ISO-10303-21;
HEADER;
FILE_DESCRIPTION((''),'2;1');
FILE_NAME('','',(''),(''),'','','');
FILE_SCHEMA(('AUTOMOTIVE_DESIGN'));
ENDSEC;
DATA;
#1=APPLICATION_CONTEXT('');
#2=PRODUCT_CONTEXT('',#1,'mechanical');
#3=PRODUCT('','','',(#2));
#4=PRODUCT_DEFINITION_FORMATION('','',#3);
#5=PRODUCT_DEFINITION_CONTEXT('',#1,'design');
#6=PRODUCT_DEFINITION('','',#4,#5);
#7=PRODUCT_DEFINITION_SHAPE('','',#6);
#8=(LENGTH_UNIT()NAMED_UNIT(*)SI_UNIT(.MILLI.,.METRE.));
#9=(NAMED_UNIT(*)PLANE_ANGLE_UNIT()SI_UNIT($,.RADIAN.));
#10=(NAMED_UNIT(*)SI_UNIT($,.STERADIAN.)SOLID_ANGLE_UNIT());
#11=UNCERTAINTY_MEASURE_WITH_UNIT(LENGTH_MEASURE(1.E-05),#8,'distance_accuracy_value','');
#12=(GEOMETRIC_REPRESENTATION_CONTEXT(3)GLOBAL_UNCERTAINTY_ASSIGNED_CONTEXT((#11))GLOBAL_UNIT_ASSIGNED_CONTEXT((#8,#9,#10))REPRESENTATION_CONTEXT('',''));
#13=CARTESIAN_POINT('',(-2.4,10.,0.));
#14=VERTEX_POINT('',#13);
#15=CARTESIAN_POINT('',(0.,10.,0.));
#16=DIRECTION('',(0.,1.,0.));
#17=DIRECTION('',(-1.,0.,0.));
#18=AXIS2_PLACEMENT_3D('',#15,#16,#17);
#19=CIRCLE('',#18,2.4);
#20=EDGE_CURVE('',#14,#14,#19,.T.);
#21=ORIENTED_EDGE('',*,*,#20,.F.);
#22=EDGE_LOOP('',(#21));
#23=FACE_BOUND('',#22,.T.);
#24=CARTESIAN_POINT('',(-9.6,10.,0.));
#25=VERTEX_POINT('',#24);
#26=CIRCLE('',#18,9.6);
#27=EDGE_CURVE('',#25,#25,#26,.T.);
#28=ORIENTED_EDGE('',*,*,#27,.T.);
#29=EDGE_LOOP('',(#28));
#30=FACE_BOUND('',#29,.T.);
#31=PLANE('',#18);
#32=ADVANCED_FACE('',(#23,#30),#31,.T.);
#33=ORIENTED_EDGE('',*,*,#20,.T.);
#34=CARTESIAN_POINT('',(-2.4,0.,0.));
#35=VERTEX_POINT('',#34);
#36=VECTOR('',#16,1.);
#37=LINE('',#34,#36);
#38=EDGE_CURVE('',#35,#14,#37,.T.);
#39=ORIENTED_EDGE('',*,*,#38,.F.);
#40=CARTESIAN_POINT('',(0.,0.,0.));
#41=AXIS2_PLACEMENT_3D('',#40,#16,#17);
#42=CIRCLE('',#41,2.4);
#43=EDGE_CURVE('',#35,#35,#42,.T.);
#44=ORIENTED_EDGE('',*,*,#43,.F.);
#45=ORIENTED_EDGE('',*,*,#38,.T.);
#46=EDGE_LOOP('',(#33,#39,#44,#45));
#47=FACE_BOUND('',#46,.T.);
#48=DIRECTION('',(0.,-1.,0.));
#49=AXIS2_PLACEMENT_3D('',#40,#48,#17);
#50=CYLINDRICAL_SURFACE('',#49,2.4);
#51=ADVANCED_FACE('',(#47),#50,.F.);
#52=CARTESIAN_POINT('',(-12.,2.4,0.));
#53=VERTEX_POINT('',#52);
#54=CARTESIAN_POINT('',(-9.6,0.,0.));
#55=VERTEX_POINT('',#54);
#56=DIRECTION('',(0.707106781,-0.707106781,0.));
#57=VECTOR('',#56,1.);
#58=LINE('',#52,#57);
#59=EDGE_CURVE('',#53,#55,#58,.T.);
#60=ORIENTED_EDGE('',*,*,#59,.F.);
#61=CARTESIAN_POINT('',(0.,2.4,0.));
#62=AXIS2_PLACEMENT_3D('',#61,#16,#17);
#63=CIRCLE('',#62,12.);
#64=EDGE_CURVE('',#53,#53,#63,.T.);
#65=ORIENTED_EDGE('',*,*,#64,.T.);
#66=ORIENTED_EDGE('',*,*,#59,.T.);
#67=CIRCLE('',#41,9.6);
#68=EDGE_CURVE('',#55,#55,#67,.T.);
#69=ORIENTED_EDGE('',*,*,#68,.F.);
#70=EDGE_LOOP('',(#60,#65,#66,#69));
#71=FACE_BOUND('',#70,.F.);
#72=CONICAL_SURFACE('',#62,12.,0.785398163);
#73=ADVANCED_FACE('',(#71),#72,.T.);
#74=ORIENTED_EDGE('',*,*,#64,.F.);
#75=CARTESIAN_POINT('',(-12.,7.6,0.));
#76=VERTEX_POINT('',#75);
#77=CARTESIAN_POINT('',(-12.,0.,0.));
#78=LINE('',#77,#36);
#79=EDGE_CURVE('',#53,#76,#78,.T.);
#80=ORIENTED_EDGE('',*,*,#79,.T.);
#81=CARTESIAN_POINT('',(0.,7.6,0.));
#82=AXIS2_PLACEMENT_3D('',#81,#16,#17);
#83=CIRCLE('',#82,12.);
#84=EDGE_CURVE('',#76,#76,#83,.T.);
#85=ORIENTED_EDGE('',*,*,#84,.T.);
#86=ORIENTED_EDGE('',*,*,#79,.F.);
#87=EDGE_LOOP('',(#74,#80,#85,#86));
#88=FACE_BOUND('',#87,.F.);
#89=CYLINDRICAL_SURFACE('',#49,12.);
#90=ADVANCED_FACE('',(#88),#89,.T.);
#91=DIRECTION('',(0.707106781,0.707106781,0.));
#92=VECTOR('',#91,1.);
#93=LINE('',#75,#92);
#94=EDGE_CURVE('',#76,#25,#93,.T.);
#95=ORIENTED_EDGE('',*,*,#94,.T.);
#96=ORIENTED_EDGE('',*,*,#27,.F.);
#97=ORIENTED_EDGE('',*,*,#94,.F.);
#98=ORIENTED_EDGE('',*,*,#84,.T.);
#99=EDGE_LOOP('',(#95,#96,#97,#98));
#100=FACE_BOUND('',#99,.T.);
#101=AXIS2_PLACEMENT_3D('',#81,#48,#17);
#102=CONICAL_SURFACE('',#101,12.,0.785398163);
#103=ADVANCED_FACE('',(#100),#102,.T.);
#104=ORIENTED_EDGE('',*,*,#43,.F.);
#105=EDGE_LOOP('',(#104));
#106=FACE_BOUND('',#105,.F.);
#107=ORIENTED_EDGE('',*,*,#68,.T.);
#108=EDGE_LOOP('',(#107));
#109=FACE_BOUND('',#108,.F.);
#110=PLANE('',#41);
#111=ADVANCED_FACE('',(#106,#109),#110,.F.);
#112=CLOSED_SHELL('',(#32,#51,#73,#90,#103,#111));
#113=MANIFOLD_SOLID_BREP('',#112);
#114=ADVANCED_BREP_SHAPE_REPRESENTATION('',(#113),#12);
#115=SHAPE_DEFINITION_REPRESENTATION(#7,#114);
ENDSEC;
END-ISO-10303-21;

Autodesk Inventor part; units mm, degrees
ref_plane "YZ Plane" through (0, 0, 0) normal (1, 0, 0) x (0, 1, 0)
ref_plane "XZ Plane" through (0, 0, 0) normal (0, 1, 0) x (-1, 0, 0)
ref_plane "XY Plane" through (0, 0, 0) normal (0, 0, 1) x (1, 0, 0)
sketch "Sketch1" plane through (0, 0, 0) normal (0, 1, 0) x (-1, 0, 0)
  circle A0 centre (0, 0) radius 2.4
  circle A1 centre (0, 0) radius 12
  dimension "d0" = 4.8
  dimension "d1" = 24
extrude "Extrusion1" add sketch "Sketch1" along normal blind 10
chamfer "Chamfer1" distance 2.4 angle 45 2 edges at (12, 10, 0) (12, 0, 0)
properties part number "V-wheel"
